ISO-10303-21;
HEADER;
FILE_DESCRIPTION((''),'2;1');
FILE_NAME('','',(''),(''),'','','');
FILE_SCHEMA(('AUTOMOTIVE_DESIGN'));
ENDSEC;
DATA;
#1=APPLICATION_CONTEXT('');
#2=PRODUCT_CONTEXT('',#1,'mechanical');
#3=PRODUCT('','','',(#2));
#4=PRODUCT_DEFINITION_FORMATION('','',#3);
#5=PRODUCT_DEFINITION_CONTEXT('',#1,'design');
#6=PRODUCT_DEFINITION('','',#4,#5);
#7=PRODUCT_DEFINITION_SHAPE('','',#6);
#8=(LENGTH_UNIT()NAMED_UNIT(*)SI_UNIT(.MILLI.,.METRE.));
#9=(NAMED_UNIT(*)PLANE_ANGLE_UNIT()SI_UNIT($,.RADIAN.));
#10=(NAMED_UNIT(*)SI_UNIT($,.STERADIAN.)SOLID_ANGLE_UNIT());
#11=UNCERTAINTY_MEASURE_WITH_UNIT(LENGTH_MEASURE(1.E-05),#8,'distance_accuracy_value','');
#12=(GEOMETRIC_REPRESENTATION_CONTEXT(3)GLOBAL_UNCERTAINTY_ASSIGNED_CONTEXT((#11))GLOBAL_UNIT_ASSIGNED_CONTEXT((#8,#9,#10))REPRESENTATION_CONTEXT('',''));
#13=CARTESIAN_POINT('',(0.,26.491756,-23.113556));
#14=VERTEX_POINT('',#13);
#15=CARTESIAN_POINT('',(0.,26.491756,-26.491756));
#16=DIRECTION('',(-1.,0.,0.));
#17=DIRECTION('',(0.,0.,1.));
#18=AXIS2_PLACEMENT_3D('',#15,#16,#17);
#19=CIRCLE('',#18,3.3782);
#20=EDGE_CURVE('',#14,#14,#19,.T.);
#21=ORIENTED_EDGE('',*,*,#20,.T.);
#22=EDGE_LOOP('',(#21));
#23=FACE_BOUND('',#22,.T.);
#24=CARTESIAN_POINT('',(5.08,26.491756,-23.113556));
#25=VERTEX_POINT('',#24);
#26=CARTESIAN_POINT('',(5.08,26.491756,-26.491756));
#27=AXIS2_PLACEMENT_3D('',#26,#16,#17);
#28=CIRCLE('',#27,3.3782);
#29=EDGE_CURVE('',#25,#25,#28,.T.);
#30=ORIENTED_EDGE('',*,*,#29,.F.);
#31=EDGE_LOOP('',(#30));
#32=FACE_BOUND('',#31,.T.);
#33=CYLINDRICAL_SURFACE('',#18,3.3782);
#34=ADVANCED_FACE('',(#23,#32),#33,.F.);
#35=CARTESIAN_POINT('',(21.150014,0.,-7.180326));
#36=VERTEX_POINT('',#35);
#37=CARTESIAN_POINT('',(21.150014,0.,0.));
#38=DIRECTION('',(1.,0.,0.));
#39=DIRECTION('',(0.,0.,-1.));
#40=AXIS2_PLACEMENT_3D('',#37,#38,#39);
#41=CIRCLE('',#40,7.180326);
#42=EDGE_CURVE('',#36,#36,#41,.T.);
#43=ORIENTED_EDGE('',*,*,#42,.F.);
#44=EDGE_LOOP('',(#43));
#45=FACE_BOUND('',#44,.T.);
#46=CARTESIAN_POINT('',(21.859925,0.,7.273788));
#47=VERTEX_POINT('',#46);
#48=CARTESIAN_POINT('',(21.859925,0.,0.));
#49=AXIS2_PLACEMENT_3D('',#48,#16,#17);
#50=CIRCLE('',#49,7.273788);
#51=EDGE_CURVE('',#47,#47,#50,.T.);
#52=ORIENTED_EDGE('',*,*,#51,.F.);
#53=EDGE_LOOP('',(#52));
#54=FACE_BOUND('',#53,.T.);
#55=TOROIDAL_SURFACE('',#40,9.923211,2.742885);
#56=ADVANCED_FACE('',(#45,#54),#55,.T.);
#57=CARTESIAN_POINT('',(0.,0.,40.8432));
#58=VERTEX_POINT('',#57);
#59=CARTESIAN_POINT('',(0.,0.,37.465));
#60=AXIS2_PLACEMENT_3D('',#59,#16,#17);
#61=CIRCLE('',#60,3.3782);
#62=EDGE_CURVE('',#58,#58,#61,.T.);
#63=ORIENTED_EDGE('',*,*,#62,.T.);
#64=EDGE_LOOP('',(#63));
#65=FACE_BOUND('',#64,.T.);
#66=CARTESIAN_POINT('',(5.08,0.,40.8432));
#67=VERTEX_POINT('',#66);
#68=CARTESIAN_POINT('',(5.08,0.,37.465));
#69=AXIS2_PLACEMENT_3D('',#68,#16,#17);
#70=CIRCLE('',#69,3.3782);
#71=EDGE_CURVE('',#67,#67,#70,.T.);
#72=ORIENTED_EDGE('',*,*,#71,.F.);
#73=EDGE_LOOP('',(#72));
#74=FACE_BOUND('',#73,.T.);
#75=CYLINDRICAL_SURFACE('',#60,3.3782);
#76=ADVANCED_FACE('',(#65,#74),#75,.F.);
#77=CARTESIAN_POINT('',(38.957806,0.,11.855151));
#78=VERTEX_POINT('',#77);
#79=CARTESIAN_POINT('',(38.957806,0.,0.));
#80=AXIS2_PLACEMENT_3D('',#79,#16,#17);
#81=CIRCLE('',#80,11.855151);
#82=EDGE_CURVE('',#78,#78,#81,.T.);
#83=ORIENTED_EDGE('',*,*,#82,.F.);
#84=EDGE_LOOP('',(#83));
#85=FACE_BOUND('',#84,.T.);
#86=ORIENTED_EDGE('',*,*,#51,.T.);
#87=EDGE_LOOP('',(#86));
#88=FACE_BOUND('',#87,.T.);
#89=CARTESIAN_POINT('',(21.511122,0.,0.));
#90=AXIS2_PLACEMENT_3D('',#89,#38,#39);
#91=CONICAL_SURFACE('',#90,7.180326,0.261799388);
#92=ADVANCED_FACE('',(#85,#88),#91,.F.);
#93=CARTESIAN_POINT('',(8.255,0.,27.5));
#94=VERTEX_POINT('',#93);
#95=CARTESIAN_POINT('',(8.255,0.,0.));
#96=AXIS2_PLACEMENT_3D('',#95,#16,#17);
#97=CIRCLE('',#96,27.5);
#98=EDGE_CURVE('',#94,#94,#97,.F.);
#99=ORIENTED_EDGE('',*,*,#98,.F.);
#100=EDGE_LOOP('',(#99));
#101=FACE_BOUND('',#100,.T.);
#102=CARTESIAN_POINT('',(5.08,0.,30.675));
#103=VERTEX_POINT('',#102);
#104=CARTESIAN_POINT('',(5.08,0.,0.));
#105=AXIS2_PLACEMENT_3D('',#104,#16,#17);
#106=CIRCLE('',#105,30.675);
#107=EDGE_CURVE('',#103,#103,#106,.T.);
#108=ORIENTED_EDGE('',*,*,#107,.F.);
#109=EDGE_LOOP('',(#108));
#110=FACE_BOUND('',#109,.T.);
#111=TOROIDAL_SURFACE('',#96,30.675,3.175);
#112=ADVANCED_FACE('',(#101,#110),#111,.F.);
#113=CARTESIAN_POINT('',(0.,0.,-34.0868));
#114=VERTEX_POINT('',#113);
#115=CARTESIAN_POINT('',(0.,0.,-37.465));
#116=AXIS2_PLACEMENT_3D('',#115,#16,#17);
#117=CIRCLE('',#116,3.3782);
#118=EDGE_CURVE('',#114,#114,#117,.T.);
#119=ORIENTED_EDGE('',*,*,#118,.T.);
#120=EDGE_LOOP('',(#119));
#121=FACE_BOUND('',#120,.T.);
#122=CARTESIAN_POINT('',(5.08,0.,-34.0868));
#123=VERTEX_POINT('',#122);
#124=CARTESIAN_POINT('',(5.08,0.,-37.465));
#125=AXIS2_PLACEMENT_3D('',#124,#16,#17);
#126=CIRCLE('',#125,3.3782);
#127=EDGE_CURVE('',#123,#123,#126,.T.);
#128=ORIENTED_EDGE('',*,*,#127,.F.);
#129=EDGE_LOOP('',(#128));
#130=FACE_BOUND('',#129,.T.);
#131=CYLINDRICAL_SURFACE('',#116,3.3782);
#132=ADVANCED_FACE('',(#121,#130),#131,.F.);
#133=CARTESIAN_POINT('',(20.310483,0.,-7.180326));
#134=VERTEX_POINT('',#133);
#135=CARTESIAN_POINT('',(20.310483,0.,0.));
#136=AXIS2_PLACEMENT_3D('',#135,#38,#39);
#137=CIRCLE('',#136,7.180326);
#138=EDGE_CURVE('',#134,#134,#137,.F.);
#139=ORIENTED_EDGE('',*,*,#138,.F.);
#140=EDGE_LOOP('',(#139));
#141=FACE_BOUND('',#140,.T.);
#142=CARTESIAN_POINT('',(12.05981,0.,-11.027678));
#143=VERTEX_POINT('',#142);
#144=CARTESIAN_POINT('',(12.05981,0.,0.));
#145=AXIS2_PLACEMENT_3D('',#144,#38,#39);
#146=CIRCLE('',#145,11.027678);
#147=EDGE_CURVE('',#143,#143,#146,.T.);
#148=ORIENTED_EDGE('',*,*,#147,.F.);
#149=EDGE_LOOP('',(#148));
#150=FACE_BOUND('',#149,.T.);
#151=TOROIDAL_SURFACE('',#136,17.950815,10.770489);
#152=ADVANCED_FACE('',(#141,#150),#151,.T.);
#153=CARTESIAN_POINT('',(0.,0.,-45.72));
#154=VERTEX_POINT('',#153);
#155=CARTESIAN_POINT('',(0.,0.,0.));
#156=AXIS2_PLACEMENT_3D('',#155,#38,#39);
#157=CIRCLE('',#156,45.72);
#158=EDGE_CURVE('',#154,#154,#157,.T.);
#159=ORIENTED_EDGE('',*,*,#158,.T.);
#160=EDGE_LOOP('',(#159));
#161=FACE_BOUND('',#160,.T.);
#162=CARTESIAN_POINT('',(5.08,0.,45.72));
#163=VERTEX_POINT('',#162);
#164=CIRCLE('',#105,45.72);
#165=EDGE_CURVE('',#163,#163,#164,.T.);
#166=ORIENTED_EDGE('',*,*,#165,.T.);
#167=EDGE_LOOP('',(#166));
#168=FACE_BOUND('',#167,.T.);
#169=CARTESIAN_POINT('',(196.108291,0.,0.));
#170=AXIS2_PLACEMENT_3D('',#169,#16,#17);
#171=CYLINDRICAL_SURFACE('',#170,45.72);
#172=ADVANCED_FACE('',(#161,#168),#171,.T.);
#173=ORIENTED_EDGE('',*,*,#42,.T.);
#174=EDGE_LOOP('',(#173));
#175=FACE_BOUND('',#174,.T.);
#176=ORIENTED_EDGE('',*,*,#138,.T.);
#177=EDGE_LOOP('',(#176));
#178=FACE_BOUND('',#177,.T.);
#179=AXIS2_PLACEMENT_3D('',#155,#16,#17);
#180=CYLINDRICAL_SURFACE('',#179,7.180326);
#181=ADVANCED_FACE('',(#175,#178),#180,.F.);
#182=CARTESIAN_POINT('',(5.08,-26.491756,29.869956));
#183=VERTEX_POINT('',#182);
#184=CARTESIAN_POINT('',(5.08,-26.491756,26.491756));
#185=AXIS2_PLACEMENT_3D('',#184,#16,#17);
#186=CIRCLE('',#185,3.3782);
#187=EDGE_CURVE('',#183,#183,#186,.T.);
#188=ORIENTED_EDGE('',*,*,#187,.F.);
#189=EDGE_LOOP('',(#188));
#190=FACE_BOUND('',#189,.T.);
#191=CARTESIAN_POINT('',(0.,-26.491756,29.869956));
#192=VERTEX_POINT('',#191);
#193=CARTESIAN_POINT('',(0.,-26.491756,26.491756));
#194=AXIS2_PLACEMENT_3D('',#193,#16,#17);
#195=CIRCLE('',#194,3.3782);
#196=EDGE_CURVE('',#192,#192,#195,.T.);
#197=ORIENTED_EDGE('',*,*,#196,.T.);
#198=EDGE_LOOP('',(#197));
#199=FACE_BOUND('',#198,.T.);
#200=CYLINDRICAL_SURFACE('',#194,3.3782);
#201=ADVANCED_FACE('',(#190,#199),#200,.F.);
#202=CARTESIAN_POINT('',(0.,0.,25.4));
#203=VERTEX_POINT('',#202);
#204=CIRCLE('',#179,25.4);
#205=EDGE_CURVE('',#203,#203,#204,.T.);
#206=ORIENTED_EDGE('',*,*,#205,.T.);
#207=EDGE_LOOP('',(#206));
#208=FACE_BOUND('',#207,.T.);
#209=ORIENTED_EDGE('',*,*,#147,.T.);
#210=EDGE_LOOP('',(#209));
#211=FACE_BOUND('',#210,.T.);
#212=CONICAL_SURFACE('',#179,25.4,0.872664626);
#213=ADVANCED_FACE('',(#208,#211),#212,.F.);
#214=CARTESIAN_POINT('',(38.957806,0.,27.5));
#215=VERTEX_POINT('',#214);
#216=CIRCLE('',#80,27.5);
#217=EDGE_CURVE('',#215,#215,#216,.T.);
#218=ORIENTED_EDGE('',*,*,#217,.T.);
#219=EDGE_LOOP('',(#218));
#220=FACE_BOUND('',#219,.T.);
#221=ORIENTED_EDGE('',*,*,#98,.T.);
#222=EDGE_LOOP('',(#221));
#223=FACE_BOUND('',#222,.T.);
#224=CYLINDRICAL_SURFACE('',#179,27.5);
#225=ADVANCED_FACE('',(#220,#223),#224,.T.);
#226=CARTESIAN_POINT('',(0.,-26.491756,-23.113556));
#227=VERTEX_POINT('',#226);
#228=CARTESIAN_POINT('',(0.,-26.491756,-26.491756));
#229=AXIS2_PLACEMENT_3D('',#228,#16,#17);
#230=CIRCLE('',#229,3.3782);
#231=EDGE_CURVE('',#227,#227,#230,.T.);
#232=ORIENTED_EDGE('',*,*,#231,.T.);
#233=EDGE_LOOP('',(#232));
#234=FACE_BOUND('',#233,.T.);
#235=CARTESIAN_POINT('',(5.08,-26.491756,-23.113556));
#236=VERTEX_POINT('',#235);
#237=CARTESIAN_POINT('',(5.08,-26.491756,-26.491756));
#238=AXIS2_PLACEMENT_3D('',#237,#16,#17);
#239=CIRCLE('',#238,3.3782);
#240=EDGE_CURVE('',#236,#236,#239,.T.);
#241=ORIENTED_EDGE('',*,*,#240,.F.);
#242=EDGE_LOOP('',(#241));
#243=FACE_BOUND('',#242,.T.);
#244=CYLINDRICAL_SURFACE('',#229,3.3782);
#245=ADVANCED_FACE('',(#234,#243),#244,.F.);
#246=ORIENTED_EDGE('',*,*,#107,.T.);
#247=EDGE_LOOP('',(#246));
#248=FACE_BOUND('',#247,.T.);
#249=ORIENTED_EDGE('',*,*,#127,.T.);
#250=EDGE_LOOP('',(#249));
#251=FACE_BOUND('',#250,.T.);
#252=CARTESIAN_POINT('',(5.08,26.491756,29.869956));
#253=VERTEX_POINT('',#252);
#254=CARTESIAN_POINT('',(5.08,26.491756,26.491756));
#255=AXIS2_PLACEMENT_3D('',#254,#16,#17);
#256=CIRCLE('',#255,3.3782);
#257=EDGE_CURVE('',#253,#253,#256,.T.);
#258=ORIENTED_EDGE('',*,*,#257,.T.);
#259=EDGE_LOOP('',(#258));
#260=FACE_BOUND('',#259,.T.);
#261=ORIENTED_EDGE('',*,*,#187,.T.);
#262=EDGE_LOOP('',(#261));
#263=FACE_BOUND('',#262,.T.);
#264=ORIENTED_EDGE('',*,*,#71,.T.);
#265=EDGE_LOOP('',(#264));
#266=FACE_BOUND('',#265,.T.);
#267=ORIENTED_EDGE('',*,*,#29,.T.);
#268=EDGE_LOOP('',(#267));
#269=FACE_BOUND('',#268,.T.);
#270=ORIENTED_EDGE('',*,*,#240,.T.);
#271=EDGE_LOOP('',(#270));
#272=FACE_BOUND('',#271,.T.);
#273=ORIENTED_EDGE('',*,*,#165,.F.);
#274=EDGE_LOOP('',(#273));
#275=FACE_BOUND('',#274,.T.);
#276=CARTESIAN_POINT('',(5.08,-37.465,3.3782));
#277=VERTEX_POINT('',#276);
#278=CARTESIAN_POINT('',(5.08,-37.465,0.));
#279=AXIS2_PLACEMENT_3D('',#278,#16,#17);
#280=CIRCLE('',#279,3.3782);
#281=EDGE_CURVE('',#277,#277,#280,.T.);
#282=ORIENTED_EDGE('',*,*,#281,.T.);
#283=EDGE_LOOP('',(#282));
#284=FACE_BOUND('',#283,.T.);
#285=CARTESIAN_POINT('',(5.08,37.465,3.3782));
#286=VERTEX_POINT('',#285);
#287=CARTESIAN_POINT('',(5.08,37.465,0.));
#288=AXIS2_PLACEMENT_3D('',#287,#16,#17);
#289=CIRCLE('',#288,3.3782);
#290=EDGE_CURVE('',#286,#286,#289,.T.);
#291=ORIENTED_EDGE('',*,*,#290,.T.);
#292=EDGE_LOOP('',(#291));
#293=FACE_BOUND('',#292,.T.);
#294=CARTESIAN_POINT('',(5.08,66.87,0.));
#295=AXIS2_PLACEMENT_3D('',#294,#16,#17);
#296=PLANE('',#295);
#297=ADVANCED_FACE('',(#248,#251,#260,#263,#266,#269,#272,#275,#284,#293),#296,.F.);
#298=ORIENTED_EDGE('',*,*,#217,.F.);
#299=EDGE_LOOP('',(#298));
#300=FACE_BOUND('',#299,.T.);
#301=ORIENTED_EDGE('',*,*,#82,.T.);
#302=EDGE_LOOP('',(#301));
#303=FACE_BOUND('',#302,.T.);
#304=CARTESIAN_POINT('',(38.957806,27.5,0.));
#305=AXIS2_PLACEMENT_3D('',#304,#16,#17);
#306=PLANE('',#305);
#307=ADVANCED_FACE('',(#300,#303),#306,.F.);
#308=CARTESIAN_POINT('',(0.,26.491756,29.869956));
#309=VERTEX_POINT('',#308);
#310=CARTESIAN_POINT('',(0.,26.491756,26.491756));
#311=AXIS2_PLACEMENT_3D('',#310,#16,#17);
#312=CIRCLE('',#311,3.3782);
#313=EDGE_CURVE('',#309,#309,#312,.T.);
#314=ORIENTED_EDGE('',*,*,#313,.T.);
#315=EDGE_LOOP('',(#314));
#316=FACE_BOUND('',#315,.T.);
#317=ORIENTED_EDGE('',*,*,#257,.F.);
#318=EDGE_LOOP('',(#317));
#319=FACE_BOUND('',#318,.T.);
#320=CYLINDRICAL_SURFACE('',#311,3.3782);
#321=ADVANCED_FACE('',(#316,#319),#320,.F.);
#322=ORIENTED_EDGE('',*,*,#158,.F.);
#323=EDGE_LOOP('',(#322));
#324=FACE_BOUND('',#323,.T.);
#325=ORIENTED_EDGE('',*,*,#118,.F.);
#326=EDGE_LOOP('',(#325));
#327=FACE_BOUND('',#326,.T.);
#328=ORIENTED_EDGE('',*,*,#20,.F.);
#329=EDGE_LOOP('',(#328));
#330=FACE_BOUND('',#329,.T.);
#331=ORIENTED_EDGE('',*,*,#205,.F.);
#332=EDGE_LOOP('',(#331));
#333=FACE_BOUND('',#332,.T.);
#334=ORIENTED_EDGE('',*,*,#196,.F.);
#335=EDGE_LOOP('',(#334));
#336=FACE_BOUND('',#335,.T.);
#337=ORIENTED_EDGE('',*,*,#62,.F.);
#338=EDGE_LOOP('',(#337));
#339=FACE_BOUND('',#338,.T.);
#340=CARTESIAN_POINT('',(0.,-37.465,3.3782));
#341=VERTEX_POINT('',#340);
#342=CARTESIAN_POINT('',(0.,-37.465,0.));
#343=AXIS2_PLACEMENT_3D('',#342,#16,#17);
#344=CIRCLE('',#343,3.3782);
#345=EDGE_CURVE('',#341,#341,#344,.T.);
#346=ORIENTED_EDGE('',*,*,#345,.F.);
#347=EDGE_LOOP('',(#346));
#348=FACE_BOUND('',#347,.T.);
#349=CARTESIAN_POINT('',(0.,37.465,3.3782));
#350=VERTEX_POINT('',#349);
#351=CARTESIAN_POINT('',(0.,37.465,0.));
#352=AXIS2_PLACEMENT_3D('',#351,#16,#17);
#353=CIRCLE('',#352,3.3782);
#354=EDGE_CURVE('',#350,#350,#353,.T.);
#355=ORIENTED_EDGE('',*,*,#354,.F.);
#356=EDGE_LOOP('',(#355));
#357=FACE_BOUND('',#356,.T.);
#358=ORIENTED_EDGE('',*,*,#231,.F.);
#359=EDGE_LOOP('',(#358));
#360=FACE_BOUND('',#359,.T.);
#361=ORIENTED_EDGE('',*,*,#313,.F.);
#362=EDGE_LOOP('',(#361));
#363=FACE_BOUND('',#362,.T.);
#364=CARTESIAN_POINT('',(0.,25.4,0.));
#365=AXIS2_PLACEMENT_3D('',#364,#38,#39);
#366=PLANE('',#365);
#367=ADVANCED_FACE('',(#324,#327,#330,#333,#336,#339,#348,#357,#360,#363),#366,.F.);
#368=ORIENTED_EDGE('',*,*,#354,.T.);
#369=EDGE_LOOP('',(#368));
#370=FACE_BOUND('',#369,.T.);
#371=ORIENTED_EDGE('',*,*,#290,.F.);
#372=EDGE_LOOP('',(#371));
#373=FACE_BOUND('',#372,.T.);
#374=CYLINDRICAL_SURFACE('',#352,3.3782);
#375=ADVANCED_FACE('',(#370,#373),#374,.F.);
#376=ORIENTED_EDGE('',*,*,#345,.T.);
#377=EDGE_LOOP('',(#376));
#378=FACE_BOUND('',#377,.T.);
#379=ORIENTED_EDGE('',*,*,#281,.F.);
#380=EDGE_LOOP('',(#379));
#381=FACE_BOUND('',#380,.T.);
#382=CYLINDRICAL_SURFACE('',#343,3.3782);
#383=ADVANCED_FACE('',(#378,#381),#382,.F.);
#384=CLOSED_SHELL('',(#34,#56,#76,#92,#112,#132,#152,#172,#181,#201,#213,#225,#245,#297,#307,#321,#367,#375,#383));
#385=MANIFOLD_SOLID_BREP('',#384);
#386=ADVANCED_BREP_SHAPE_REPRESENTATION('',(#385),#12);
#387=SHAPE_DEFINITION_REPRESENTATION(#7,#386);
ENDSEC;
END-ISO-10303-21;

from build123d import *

# Parameters (mm, degrees)
RAO_OUTLET_RADIUS_R     = 2.742884532
F_1_4_CLEARANCE_HOLE1_D = 6.7564
SKETCH5_OUTSIDE_W       = 174.362
SKETCH5_OUTSIDE_H       = 174.362
SKETCH5_OUTSIDE_R       = 45.72
CUT_EXTRUDE1_DEPTH      = 5.08
FILLET1_R               = 3.175
RAO_INLET_RADIUS_R      = 10.770489


with BuildPart() as part:
    # Sketch1 → Nozzle (revolve)
    with BuildSketch(Plane.XY):
        Polygon((15.288121734, 7.180326), (21.511121734, 7.180326), (38.957805968, 11.855150951), (38.957805968, 27.500000118), (5.08, 27.500000118), (5.08, 66.870000118), (0, 66.870000118), (0, 25.4), align=None)
    revolve(axis=Axis((0, 0, 0), (1, 0, 0)))

    # Rao outlet radius
    rao_outlet_radius_edges = [part.edges().sort_by_distance(p)[0] for p in [
        (21.511121734, -7.180326, 0),
    ]]
    fillet(rao_outlet_radius_edges, radius=RAO_OUTLET_RADIUS_R)

    # 1/4 Clearance Hole1 (through all)
    with Locations(Plane.ZY):
        with Locations((37.465, 0), (26.491755557, -26.491755557), (0, -37.465), (-26.491755557, -26.491755557), (-37.465, 0), (-26.491755557, 26.491755557), (0, 37.465), (26.491755557, 26.491755557), (0, 0)):
            Hole(F_1_4_CLEARANCE_HOLE1_D / 2)

    # Sketch5 outside → Cut-Extrude1 (cut)
    with BuildSketch(Plane(origin=(0, 0, 0), x_dir=(0, 0, -1), z_dir=(1, 0, 0))):
        Rectangle(SKETCH5_OUTSIDE_W, SKETCH5_OUTSIDE_H)
        Circle(SKETCH5_OUTSIDE_R, mode=Mode.SUBTRACT)
    extrude(amount=CUT_EXTRUDE1_DEPTH, mode=Mode.SUBTRACT)

    # Fillet1
    fillet1_edges = [part.edges().sort_by_distance(p)[0] for p in [
        (5.08, -27.500000118, 0),
    ]]
    fillet(fillet1_edges, radius=FILLET1_R)

    # Rao Inlet radius
    rao_inlet_radius_edges = [part.edges().sort_by_distance(p)[0] for p in [
        (15.288121734, -7.180326, 0),
    ]]
    fillet(rao_inlet_radius_edges, radius=RAO_INLET_RADIUS_R)


solid = part.part
